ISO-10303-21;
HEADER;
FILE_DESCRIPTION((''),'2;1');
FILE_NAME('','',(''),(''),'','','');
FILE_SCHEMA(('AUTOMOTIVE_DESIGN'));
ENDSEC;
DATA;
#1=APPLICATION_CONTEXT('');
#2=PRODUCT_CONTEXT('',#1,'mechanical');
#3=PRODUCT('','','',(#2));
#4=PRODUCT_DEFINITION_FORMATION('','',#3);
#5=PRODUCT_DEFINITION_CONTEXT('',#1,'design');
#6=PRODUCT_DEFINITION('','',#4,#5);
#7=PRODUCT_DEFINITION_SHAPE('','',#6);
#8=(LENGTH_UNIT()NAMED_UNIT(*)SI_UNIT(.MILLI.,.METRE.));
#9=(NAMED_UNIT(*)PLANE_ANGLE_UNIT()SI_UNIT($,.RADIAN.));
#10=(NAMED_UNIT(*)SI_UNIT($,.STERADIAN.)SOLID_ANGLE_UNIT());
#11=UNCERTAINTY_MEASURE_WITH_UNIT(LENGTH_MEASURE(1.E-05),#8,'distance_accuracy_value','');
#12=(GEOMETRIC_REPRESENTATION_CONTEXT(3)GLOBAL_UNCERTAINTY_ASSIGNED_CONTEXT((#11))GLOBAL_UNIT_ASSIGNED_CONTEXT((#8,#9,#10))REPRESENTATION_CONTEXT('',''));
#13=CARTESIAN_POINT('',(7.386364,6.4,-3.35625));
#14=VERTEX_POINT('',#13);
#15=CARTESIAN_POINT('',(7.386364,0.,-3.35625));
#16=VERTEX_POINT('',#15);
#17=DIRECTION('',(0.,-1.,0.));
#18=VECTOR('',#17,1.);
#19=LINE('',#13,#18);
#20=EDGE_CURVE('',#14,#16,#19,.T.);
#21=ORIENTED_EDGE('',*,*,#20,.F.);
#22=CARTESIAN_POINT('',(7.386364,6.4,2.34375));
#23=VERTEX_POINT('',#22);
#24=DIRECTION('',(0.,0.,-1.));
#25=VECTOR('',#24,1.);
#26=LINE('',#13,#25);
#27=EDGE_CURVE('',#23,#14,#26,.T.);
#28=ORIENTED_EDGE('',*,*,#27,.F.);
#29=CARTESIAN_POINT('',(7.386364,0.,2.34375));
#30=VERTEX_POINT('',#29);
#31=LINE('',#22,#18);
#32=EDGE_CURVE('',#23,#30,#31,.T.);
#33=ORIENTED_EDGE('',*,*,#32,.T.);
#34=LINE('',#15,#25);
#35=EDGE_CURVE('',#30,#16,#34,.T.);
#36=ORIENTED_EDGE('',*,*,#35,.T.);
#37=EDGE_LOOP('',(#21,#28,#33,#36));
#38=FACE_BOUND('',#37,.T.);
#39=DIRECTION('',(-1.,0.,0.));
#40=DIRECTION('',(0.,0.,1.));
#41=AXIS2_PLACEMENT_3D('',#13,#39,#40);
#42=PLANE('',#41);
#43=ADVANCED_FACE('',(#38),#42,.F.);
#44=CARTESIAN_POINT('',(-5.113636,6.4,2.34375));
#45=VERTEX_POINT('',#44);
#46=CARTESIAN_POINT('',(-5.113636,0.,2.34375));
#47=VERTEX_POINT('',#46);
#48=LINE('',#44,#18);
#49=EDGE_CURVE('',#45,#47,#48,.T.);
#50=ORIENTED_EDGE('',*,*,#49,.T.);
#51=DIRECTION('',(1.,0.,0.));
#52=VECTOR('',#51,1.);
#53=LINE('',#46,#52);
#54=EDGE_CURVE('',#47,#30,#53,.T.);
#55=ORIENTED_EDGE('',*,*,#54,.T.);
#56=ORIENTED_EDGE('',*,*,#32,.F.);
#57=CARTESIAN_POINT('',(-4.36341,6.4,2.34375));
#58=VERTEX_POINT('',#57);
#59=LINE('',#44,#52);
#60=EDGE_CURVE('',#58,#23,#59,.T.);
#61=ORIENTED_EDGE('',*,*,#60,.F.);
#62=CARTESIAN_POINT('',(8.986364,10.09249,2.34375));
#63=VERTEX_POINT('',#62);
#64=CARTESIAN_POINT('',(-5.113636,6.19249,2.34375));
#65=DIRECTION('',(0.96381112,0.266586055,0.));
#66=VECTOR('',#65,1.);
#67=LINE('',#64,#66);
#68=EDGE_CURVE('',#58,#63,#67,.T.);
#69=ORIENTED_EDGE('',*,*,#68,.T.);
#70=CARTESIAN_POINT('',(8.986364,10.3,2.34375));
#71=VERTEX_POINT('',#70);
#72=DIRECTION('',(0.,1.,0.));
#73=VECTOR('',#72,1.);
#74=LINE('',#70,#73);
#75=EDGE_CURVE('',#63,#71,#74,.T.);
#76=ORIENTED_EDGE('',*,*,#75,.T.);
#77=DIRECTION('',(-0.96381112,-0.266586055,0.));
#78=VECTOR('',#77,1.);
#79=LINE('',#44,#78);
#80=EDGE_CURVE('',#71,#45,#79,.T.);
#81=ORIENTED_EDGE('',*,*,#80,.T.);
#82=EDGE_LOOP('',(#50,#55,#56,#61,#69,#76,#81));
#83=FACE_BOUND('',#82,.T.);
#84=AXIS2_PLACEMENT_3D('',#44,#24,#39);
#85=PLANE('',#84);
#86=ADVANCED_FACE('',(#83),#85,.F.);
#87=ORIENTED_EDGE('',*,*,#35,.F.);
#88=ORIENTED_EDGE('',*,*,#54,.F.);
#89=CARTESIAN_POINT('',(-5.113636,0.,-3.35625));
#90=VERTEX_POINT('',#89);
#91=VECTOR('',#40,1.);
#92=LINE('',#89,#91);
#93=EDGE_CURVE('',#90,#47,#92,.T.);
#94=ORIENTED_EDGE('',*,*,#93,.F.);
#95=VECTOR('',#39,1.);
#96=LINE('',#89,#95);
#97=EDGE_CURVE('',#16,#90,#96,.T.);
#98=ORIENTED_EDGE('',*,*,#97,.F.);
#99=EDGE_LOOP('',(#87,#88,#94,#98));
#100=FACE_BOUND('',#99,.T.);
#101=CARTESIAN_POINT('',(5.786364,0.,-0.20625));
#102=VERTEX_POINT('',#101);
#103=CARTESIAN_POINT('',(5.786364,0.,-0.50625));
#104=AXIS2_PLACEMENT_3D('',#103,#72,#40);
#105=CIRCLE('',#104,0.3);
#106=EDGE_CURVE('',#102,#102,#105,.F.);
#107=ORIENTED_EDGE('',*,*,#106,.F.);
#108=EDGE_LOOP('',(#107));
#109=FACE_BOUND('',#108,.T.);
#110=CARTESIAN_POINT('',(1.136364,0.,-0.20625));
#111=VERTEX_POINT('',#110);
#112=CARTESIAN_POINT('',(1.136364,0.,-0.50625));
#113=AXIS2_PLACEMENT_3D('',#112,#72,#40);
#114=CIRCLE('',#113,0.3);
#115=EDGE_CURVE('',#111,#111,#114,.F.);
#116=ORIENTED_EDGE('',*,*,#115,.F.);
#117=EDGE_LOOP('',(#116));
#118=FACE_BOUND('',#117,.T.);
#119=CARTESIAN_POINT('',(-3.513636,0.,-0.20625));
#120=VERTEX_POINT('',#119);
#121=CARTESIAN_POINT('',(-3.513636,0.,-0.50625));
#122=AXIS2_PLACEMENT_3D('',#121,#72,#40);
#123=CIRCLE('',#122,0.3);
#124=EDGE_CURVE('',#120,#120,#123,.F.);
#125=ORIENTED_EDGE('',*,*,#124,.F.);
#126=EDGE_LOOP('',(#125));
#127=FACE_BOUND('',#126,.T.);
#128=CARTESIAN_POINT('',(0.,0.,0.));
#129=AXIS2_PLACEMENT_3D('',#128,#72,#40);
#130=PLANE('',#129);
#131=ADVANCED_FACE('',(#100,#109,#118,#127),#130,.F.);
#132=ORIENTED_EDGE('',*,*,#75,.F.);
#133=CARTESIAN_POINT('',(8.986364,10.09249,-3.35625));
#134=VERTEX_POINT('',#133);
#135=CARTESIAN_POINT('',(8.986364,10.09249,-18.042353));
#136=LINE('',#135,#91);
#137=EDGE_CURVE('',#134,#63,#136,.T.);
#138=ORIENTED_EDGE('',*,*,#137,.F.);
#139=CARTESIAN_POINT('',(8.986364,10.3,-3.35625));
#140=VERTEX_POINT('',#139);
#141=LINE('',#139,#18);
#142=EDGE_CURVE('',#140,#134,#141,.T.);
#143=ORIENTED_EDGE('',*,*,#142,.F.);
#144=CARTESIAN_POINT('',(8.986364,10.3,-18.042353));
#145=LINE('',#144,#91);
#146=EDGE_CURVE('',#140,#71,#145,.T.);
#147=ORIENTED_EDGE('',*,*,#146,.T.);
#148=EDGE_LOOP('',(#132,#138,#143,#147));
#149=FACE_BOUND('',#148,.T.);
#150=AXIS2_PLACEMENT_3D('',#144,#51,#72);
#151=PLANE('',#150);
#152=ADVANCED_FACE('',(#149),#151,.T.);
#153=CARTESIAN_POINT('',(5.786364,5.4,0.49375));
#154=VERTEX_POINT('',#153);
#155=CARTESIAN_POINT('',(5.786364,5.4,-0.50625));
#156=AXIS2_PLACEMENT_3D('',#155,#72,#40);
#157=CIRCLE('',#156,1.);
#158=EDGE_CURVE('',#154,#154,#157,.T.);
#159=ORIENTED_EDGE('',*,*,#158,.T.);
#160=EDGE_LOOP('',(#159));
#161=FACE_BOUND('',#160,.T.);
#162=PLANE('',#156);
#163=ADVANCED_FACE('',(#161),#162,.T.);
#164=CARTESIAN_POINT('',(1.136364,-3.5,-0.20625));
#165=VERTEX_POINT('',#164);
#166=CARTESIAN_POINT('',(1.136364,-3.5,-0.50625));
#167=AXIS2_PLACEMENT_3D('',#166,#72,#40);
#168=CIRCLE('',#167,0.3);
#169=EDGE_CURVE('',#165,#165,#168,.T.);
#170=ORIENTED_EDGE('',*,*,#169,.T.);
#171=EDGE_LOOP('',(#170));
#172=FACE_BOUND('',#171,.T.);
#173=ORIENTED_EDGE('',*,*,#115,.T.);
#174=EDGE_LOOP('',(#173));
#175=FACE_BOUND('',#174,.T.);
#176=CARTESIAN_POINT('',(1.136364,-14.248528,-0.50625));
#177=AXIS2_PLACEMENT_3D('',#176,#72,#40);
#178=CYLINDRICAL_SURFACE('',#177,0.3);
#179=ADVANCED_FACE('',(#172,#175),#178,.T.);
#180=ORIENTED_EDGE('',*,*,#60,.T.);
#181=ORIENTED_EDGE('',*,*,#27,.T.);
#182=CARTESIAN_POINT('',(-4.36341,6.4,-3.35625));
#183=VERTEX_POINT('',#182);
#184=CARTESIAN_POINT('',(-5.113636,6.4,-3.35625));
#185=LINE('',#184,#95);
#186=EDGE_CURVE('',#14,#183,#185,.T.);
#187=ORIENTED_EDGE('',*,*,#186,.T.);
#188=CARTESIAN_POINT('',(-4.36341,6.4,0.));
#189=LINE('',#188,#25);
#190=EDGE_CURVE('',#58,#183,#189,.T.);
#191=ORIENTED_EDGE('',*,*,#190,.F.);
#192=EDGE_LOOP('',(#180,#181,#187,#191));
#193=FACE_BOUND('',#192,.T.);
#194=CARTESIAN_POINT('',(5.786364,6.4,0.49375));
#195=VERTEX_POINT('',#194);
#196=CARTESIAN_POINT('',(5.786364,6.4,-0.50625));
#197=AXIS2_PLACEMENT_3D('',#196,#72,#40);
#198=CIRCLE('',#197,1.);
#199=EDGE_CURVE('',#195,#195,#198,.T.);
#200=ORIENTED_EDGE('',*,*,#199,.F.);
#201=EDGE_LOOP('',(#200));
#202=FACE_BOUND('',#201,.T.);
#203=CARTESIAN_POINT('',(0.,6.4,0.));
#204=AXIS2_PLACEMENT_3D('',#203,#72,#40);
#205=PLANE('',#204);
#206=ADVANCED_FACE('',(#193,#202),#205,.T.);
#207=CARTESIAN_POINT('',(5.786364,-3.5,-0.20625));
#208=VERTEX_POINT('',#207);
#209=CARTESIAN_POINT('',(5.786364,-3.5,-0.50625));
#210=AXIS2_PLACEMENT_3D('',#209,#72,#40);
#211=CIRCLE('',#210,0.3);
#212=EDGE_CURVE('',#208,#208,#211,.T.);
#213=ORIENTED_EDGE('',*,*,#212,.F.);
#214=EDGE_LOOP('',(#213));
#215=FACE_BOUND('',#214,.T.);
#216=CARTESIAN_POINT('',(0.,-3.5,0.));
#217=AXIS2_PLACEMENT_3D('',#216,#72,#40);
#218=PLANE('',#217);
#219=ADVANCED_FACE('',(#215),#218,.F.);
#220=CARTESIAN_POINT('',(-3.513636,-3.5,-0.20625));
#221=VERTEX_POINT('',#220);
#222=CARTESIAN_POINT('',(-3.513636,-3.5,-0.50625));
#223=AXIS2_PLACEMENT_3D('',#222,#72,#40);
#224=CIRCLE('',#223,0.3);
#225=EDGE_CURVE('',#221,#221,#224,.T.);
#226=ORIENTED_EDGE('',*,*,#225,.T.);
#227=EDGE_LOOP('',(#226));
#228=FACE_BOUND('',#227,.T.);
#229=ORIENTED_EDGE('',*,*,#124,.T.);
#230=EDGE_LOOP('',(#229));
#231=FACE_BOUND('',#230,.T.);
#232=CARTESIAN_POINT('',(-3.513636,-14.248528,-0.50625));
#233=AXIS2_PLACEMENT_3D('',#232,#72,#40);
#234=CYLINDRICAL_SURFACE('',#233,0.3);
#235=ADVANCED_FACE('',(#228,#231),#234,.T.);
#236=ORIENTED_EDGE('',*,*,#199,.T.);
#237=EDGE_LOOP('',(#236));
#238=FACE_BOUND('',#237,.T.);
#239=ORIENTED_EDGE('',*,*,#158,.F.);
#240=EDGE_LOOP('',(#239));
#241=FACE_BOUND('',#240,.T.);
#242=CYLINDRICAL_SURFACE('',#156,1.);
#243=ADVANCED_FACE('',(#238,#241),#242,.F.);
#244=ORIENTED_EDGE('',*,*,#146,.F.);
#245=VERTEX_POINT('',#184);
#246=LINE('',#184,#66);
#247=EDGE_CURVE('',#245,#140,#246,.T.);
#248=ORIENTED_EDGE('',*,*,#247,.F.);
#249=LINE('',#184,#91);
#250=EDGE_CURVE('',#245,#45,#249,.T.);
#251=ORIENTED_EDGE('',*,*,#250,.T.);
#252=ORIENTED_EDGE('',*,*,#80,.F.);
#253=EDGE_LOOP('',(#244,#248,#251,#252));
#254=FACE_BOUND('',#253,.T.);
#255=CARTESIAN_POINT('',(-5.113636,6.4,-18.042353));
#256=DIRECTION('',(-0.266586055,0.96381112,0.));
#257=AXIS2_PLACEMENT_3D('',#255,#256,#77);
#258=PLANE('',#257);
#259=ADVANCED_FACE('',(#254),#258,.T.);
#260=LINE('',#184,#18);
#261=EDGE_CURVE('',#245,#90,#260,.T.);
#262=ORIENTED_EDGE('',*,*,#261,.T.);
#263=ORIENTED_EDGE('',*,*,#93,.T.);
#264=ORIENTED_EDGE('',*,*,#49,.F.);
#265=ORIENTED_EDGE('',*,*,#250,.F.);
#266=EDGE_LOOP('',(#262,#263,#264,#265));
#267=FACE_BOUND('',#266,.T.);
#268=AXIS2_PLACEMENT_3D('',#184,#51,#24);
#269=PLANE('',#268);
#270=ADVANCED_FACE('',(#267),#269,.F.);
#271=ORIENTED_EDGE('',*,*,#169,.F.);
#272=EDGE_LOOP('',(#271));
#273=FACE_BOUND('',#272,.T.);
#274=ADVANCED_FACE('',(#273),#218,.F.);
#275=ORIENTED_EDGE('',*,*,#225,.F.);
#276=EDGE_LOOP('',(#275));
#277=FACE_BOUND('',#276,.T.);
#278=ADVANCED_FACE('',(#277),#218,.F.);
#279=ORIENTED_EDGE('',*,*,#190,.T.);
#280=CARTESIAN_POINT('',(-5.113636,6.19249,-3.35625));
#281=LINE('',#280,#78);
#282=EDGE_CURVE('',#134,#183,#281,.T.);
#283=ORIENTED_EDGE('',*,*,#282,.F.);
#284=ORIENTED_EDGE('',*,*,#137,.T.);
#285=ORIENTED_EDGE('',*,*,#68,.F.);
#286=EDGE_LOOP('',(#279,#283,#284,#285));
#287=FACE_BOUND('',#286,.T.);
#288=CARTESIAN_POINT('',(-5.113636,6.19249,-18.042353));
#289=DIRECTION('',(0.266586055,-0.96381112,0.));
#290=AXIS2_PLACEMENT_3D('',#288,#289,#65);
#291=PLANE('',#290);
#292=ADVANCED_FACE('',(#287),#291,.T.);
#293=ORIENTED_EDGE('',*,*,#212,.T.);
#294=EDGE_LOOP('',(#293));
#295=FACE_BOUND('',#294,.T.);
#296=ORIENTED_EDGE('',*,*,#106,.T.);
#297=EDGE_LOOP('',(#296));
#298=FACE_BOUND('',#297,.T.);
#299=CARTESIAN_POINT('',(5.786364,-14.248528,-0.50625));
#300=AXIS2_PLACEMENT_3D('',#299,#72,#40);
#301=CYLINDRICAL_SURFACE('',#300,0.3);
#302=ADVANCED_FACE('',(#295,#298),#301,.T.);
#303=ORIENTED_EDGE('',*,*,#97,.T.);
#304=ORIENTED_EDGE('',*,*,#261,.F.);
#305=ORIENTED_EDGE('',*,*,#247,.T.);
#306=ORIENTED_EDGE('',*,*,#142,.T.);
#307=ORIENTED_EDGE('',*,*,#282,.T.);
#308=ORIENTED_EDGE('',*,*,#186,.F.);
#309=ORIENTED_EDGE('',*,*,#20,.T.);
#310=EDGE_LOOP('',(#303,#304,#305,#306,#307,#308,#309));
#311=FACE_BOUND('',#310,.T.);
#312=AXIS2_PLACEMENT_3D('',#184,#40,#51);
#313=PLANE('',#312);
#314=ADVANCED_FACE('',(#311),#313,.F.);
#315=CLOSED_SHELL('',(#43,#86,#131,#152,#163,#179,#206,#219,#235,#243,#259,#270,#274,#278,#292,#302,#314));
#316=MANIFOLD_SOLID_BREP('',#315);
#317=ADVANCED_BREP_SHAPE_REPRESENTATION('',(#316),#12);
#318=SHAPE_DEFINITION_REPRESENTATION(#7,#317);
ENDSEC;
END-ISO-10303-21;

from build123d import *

# Parameters (mm, degrees)
SKETCH1_W           = 12.5
SKETCH1_H           = 5.7
BOSS_EXTRUDE1_DEPTH = 6.4
BOSS_EXTRUDE2_DEPTH = 5.7
SKETCH3_R           = 0.3
BOSS_EXTRUDE3_DEPTH = 3.5
SKETCH4_R           = 1
CUT_EXTRUDE1_DEPTH  = 1


with BuildPart() as part:
    # Sketch1 → Boss-Extrude1 (new body)
    with BuildSketch(Plane(origin=(0, 0, 0), x_dir=(1, 0, 0), z_dir=(0, 1, 0))):
        with Locations((1.136363636, 0.50625)):
            Rectangle(SKETCH1_W, SKETCH1_H)
    extrude(amount=BOSS_EXTRUDE1_DEPTH)

    # Sketch2 → Boss-Extrude2 (add)
    with BuildSketch(Plane.XY.offset(2.34375)):
        Polygon((-5.113636364, 6.4), (8.986363636, 10.3), (8.986363636, 10.092490462), (-5.113636364, 6.192490462), align=None)
    extrude(amount=-BOSS_EXTRUDE2_DEPTH)

    # Sketch3 → Boss-Extrude3 (add)
    with BuildSketch(Plane.XZ):
        with Locations(Location((-3.513636364, -0.50625, 0), (0, 0, 90))):
            Circle(SKETCH3_R)
        with Locations(Location((1.136363636, -0.50625, 0), (0, 0, 90))):
            Circle(SKETCH3_R)
        with Locations(Location((5.786363636, -0.50625, 0), (0, 0, 90))):
            Circle(SKETCH3_R)
    extrude(amount=BOSS_EXTRUDE3_DEPTH)

    # Sketch4 → Cut-Extrude1 (cut)
    with BuildSketch(Plane(origin=(0, 6.4, 0), x_dir=(1, 0, 0), z_dir=(0, 1, 0))):
        with Locations(Location((5.786363636, 0.50625, 0), (0, 0, 270))):
            Circle(SKETCH4_R)
    extrude(amount=-CUT_EXTRUDE1_DEPTH, mode=Mode.SUBTRACT)


solid = part.part
